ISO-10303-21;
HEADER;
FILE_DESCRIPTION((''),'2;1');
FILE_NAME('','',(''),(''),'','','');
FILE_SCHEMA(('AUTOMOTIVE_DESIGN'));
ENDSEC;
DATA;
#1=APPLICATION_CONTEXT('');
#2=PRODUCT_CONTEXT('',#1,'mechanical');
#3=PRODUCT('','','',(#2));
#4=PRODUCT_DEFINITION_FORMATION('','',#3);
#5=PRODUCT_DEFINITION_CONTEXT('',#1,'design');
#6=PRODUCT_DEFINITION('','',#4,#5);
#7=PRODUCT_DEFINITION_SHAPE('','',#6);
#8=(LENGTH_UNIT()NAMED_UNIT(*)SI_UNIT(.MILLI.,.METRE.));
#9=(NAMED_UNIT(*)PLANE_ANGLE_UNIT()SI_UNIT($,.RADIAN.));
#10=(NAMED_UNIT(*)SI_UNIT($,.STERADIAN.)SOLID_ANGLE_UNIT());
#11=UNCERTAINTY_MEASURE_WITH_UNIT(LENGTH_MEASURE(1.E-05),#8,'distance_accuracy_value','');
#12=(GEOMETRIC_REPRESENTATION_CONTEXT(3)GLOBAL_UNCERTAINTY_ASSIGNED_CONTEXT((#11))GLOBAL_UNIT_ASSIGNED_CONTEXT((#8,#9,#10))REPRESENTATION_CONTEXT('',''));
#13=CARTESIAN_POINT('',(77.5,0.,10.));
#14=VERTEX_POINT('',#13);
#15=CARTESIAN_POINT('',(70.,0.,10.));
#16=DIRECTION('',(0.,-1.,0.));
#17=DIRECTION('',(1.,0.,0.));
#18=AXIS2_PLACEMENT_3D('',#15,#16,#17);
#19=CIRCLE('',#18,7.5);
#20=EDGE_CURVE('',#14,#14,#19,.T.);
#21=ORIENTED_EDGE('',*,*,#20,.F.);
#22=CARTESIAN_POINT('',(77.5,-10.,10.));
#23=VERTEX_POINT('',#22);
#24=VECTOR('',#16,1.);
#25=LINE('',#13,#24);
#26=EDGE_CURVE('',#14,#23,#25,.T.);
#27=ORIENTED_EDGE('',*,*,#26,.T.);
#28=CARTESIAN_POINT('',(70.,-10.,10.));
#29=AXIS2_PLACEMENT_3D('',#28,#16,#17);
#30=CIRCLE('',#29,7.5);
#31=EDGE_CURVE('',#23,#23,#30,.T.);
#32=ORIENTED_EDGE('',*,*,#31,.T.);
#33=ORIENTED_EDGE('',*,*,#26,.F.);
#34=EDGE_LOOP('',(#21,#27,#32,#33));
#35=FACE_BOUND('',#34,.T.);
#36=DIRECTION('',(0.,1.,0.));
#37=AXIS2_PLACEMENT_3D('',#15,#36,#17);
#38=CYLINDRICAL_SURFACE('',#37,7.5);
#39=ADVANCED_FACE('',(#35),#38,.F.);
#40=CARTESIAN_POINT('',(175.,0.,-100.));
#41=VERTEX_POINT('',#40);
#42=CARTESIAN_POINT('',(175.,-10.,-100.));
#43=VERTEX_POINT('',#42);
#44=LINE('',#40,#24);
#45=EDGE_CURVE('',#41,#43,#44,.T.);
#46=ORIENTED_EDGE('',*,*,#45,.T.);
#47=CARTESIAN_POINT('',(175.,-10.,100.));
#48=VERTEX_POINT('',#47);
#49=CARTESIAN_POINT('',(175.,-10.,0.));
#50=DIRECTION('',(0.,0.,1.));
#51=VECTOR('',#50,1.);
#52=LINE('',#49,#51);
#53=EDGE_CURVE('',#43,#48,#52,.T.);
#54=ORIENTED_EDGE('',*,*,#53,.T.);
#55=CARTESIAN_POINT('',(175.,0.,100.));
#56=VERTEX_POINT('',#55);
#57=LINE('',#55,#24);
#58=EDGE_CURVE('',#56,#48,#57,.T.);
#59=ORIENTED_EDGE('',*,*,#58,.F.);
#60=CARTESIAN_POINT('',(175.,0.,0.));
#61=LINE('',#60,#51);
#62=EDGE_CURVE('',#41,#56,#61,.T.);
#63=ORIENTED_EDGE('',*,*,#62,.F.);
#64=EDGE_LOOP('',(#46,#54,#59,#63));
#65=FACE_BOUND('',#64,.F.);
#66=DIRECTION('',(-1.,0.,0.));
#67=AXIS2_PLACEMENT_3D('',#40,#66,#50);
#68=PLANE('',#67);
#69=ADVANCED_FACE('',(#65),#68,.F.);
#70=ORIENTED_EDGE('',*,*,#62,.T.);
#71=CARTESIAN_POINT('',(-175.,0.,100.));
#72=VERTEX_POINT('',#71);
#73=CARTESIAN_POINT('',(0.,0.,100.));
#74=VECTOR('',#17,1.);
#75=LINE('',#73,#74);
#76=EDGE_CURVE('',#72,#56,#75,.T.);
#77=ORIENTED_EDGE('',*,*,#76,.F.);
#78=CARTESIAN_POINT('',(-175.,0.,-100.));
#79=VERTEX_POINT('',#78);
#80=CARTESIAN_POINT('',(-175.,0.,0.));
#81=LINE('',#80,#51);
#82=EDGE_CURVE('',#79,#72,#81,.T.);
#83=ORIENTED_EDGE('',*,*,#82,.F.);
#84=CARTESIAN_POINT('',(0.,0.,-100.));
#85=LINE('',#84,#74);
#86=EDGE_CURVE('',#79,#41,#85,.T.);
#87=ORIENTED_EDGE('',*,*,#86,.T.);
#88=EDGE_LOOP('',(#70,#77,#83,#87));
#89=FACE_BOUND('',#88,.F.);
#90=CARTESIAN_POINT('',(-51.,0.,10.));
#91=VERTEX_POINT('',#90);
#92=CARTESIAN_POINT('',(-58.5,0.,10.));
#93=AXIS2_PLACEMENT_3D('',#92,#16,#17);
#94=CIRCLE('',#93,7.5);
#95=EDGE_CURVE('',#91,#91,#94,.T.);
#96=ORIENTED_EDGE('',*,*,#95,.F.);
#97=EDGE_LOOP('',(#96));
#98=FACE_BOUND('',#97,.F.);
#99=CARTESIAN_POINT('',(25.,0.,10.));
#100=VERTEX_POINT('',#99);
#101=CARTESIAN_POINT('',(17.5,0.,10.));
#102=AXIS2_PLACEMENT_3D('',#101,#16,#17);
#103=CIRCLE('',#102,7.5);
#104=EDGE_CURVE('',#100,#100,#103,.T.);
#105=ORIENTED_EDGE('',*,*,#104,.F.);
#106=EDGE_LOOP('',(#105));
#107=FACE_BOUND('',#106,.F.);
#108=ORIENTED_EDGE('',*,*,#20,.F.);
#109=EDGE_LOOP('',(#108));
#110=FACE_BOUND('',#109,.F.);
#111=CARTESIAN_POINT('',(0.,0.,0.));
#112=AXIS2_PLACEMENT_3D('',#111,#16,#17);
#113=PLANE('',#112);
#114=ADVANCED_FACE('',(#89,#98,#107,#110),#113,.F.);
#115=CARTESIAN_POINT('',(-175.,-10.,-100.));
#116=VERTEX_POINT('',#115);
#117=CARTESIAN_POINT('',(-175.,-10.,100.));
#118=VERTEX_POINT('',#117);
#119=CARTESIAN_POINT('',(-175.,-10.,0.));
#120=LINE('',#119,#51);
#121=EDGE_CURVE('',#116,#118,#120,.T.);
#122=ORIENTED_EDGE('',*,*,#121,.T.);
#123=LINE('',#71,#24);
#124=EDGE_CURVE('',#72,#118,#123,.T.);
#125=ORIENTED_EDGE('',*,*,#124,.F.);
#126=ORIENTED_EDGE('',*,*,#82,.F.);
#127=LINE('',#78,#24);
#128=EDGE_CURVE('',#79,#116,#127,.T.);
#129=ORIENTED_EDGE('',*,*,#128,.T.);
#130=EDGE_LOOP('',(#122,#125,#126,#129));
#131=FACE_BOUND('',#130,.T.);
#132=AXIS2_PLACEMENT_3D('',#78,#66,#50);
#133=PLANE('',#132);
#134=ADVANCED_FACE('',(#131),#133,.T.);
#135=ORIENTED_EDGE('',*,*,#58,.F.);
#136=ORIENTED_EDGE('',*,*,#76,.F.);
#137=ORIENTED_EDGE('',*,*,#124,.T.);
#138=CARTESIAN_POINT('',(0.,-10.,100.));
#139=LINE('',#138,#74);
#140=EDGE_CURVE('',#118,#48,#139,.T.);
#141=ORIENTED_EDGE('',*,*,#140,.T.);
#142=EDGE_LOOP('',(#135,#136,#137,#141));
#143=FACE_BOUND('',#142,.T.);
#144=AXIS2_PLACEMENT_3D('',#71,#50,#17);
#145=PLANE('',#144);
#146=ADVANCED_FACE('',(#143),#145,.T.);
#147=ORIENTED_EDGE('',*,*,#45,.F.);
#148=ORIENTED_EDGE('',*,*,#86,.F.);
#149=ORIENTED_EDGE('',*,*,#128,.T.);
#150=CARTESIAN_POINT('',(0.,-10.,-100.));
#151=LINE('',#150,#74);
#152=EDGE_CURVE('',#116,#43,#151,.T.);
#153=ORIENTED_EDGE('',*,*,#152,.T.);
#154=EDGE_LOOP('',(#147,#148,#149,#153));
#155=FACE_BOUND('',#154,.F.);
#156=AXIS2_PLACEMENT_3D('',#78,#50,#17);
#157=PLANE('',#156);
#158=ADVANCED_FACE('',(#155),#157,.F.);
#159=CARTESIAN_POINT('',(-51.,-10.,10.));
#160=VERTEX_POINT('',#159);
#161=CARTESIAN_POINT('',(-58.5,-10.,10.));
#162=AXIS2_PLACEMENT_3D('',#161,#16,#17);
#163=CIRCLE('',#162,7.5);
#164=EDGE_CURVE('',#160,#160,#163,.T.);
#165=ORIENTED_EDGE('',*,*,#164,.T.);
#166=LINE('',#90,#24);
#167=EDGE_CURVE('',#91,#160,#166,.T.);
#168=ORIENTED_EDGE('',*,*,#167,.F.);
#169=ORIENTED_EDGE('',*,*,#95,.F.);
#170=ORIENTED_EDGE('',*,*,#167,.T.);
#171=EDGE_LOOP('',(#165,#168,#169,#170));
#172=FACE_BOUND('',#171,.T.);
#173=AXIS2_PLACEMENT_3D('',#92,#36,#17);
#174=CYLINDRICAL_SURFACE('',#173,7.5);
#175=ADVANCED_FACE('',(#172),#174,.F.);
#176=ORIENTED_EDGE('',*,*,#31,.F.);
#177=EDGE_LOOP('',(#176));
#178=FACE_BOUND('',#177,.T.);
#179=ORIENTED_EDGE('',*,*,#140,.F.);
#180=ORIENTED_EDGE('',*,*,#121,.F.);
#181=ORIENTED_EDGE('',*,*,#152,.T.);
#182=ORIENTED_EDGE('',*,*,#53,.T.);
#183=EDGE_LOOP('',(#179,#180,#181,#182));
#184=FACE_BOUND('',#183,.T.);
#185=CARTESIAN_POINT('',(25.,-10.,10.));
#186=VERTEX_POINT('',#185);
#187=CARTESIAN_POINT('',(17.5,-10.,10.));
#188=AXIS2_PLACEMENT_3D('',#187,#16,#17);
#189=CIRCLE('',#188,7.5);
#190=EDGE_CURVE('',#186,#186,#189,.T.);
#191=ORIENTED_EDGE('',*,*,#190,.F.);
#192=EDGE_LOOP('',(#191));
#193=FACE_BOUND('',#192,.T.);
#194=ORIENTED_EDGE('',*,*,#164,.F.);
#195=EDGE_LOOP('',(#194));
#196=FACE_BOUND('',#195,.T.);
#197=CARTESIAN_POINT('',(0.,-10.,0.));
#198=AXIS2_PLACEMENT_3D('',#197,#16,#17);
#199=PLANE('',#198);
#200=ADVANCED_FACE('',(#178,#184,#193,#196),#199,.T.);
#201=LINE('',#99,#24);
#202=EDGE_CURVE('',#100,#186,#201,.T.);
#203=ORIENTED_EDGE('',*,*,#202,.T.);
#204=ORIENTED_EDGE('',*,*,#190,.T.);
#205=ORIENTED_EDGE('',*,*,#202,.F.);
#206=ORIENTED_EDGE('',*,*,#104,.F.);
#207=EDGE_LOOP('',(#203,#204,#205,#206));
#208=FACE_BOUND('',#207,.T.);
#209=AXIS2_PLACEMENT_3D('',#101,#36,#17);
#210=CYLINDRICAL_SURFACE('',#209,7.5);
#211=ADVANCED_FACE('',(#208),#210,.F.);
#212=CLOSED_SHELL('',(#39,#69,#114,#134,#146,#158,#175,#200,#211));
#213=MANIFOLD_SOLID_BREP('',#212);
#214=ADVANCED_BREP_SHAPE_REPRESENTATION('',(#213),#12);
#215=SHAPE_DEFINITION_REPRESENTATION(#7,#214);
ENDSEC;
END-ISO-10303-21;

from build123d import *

# Parameters (mm, degrees)
F0_W     = 350
F0_H     = 200
F0_R     = 7.5
F1_DEPTH = 10


with BuildPart() as f1:
    # F0 (on Front) → F1 (new body)
    with BuildSketch(Plane.XZ):
        Rectangle(F0_W, F0_H)
        with Locations((-58.5, 10)):
            Circle(F0_R, mode=Mode.SUBTRACT)
        with Locations((17.5, 10)):
            Circle(F0_R, mode=Mode.SUBTRACT)
        with Locations((70, 10)):
            Circle(F0_R, mode=Mode.SUBTRACT)
    extrude(amount=F1_DEPTH)


solid = f1.part
